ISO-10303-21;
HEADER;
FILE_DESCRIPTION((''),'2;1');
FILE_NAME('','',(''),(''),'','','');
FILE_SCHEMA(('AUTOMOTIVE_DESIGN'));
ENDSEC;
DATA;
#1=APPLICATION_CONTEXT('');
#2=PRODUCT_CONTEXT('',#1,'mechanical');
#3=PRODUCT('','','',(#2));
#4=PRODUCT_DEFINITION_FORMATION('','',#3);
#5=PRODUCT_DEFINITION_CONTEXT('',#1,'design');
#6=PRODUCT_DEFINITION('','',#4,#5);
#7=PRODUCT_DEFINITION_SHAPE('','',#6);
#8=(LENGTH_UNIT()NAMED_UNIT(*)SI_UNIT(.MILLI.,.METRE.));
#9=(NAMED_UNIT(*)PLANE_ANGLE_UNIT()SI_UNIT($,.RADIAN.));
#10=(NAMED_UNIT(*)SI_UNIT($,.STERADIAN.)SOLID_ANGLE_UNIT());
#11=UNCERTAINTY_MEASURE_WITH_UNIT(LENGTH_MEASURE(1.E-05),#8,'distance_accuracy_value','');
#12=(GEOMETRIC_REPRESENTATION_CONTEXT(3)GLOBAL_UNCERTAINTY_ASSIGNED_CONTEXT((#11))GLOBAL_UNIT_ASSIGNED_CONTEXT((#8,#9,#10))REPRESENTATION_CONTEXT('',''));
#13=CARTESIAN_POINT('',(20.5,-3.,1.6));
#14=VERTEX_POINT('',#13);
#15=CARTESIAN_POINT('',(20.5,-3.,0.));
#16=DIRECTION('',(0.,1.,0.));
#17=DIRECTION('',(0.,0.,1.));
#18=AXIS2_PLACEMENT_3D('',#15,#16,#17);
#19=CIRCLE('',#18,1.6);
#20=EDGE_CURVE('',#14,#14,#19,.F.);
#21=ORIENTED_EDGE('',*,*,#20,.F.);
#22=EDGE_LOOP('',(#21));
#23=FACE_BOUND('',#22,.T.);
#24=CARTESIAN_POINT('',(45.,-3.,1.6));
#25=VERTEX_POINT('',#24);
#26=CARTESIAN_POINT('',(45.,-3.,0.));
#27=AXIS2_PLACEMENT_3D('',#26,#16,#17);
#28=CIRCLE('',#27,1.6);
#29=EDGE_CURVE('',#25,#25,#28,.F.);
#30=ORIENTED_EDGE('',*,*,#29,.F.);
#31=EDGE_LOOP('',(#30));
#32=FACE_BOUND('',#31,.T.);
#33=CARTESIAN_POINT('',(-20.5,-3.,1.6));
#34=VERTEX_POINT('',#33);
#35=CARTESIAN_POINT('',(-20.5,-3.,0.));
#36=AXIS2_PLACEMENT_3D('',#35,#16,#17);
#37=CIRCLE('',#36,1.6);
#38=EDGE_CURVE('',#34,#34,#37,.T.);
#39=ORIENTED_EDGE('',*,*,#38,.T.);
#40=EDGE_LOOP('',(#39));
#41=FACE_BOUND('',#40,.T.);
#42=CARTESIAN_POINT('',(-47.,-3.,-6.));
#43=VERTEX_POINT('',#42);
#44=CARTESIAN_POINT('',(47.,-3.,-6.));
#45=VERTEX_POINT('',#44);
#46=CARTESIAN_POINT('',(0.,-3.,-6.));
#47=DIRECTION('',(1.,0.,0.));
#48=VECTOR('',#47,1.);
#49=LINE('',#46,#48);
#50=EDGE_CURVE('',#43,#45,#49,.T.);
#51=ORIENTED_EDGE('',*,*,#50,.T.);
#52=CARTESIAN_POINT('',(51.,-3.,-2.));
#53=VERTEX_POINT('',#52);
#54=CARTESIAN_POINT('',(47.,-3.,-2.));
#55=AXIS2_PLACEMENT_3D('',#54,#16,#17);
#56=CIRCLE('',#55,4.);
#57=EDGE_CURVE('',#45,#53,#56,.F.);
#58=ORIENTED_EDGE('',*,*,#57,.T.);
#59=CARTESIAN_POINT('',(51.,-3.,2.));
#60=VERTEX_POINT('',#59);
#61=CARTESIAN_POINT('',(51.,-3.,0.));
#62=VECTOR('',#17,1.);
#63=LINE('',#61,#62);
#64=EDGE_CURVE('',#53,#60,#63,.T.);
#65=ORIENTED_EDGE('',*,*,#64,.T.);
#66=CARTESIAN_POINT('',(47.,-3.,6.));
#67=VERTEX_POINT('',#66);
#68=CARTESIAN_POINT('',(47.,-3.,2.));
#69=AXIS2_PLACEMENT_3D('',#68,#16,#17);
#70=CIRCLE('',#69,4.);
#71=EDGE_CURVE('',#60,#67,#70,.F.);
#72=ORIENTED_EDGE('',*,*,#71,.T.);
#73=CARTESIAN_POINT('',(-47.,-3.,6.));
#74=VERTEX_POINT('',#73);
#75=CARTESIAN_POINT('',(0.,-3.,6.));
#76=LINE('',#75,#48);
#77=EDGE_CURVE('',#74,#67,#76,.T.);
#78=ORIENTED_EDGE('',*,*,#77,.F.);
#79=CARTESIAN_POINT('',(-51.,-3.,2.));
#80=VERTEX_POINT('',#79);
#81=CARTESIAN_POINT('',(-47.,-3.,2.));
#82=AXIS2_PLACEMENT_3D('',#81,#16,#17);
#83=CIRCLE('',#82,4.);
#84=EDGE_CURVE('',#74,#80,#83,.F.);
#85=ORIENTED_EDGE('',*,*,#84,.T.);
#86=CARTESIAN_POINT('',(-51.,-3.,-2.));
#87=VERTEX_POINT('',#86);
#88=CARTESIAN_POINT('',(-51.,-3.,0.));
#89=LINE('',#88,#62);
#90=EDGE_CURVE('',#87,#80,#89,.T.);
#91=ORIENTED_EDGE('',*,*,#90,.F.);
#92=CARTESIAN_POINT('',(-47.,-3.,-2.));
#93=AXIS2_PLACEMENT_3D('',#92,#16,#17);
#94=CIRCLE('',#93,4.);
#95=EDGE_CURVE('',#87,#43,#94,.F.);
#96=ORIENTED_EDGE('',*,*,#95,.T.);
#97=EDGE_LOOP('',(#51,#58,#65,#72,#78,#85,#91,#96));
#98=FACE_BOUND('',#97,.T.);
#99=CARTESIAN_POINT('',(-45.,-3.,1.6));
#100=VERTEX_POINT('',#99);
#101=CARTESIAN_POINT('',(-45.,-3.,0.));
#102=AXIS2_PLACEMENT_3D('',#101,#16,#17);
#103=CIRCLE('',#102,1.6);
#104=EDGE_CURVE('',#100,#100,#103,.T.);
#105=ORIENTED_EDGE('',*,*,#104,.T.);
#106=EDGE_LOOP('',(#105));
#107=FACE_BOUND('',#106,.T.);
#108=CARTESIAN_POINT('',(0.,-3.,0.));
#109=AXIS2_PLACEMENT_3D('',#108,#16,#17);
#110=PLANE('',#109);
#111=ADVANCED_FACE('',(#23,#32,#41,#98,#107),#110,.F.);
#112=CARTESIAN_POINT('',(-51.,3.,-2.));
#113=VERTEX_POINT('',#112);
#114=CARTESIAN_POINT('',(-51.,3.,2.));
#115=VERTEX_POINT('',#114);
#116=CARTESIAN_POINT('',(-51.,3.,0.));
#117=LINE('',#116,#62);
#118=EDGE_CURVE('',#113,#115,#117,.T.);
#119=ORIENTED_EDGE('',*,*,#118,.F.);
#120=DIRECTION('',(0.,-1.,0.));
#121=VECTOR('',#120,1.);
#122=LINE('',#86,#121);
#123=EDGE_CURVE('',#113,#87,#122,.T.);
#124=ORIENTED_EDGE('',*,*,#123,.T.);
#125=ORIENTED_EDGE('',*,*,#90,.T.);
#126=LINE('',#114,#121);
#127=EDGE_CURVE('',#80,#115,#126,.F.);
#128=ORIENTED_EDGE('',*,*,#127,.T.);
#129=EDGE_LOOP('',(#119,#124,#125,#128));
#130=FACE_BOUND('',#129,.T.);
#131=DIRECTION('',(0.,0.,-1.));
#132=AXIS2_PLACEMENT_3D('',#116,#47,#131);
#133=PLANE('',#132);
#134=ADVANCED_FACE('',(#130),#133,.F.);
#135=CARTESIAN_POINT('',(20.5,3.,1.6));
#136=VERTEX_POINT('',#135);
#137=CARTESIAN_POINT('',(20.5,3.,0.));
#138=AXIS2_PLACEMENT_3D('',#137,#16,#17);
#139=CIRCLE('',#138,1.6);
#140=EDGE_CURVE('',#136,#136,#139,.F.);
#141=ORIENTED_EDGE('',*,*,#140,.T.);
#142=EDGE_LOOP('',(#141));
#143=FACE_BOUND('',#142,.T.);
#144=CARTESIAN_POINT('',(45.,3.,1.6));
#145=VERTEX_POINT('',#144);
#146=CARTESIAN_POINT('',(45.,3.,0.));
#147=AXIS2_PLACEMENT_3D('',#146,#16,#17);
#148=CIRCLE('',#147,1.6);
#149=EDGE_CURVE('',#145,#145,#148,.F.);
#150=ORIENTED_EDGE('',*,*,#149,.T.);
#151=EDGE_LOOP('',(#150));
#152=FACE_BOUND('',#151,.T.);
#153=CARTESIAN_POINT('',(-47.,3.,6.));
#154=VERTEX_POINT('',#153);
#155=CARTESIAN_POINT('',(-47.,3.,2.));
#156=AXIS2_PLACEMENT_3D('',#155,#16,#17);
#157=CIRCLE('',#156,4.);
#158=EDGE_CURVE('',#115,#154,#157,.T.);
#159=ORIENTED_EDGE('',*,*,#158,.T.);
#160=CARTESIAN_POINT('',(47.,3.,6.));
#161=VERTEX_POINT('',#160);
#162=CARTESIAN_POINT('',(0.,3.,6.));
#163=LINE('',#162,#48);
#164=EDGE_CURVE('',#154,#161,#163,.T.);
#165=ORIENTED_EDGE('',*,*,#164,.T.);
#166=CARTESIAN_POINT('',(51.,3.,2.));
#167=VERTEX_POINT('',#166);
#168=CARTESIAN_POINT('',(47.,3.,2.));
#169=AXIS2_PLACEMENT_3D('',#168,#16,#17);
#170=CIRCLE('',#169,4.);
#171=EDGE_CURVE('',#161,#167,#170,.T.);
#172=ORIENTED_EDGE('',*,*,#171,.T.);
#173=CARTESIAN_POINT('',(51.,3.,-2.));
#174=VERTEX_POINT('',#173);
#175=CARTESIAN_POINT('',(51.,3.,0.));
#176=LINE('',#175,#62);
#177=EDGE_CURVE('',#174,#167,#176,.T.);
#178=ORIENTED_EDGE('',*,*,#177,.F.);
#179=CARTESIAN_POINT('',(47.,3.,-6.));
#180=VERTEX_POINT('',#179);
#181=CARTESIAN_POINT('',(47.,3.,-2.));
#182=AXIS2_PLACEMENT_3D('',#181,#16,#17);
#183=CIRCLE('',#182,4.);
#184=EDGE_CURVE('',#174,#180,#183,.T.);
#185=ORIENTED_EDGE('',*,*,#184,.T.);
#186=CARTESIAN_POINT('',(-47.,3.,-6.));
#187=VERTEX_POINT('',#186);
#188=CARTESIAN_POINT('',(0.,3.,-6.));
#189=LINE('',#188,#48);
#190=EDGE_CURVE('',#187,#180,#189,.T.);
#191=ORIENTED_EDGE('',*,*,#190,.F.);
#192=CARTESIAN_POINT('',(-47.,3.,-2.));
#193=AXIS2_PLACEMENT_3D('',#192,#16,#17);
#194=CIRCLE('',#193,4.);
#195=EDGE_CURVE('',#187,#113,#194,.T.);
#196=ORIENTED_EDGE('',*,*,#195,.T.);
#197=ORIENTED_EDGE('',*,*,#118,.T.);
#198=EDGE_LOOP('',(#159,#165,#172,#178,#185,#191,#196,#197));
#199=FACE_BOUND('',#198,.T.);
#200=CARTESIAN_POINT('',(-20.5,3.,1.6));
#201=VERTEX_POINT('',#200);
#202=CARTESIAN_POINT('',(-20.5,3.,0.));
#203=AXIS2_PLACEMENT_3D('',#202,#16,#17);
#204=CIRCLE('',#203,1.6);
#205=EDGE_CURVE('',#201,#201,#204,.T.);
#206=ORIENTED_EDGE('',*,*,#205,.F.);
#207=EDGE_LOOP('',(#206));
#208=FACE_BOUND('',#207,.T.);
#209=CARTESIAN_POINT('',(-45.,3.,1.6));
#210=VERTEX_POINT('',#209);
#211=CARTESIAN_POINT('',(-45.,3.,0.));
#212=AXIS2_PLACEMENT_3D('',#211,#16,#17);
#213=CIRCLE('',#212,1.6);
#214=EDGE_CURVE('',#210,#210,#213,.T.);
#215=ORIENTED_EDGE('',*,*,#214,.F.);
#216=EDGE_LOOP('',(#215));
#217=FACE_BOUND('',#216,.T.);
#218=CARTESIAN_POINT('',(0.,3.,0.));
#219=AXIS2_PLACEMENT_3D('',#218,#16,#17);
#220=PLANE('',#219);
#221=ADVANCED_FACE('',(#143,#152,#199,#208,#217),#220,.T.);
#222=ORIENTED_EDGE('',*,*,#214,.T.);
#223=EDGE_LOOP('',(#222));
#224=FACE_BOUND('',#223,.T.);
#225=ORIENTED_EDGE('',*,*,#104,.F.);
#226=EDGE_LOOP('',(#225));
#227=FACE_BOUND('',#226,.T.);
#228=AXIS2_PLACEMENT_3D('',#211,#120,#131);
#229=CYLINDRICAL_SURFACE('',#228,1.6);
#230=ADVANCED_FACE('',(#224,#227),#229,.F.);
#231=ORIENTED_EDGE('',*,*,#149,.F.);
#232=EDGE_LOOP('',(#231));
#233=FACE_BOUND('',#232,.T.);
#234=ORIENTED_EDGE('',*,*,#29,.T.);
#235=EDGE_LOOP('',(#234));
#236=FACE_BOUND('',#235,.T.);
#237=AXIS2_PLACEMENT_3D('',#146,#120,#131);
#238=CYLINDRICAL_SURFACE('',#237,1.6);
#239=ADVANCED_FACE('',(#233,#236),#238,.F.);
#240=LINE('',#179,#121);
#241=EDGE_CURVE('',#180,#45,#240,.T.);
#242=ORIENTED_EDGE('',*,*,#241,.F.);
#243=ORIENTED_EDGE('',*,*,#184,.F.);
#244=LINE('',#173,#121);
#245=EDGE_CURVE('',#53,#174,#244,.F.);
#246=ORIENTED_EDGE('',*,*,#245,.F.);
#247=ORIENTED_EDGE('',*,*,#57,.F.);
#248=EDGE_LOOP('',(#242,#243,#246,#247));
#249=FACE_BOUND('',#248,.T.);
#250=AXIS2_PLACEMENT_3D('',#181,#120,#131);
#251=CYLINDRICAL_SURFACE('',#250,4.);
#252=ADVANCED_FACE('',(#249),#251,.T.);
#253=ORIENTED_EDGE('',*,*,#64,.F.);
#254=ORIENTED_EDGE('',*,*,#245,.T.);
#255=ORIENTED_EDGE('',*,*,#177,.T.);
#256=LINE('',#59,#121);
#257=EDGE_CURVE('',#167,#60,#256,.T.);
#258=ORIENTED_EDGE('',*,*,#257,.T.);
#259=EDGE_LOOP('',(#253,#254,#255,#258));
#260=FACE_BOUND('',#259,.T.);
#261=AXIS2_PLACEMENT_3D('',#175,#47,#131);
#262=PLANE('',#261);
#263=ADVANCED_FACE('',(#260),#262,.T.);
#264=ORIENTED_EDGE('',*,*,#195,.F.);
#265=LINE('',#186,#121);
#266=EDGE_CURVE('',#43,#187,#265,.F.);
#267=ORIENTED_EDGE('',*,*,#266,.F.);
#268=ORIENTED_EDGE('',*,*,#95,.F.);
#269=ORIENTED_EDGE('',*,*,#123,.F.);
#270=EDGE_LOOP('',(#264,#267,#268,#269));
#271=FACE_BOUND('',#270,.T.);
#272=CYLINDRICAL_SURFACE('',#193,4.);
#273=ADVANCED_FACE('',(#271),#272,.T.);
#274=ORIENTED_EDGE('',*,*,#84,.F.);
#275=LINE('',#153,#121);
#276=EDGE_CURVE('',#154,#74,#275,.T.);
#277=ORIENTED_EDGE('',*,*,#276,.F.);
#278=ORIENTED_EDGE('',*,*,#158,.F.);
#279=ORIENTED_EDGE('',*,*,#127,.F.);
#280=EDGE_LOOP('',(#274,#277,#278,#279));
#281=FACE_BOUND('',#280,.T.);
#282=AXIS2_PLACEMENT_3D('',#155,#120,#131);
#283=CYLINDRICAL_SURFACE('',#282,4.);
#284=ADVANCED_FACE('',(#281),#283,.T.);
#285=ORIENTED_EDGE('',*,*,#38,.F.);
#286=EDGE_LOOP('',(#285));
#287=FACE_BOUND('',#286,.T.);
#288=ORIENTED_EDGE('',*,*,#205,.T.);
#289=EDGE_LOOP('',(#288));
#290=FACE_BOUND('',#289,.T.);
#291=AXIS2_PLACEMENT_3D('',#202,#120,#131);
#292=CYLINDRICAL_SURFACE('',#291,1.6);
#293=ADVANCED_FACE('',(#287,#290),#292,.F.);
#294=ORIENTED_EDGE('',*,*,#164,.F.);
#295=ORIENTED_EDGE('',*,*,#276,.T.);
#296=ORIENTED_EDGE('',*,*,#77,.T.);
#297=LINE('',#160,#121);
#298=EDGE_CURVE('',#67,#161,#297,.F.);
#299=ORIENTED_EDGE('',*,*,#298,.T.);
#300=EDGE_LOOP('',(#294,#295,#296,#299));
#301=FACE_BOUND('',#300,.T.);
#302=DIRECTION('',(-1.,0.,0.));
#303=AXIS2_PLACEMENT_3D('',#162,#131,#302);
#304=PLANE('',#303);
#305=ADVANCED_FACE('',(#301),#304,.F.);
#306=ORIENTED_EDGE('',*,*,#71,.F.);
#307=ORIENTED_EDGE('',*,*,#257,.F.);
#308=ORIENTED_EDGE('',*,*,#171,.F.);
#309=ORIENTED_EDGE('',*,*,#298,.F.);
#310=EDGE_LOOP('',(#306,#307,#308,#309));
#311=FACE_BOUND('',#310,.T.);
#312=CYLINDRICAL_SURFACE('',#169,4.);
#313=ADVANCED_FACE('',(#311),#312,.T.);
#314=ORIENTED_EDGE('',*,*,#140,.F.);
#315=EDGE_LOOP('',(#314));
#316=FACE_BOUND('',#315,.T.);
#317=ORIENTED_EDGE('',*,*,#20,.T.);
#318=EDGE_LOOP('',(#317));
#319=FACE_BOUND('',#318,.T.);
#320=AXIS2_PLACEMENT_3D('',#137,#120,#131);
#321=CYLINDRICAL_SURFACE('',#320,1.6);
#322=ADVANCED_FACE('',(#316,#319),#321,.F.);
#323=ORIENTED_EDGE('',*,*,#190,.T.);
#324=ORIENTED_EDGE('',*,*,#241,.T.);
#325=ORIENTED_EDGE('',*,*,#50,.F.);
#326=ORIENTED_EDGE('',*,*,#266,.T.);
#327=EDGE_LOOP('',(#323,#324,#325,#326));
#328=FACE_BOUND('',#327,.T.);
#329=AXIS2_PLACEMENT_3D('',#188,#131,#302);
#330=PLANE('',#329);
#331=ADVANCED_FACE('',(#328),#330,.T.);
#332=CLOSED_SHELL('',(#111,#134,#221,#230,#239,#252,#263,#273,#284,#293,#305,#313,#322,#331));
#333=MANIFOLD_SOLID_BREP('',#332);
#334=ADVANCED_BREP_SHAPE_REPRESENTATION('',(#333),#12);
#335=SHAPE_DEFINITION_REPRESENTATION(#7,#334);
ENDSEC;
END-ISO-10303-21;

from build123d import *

# Parameters (mm, degrees)
SKETCH1_W           = 102
SKETCH1_H           = 12
SKETCH1_R           = 1.6
BOSS_EXTRUDE1_DEPTH = 3
FILLET1_R           = 4


with BuildPart() as part:
    # Sketch1 → Boss-Extrude1 (new, symmetric)
    with BuildSketch(Plane(origin=(0, 0, 0), x_dir=(1, 0, 0), z_dir=(0, 1, 0))):
        Rectangle(SKETCH1_W, SKETCH1_H)
        with Locations(Location((-45, 0, 0), (0, 0, 270))):
            Circle(SKETCH1_R, mode=Mode.SUBTRACT)
        with Locations(Location((-20.5, 0, 0), (0, 0, 270))):
            Circle(SKETCH1_R, mode=Mode.SUBTRACT)
        with Locations(Location((20.5, 0, 0), (0, 0, 270))):
            Circle(SKETCH1_R, mode=Mode.SUBTRACT)
        with Locations(Location((45, 0, 0), (0, 0, 270))):
            Circle(SKETCH1_R, mode=Mode.SUBTRACT)
    extrude(amount=BOSS_EXTRUDE1_DEPTH, both=True)

    # Fillet1
    fillet1_edges = [part.edges().sort_by_distance(p)[0] for p in [
        (51, 0, 6),
        (-51, 0, 6),
        (-51, 0, -6),
        (51, 0, -6),
    ]]
    fillet(fillet1_edges, radius=FILLET1_R)


solid = part.part
